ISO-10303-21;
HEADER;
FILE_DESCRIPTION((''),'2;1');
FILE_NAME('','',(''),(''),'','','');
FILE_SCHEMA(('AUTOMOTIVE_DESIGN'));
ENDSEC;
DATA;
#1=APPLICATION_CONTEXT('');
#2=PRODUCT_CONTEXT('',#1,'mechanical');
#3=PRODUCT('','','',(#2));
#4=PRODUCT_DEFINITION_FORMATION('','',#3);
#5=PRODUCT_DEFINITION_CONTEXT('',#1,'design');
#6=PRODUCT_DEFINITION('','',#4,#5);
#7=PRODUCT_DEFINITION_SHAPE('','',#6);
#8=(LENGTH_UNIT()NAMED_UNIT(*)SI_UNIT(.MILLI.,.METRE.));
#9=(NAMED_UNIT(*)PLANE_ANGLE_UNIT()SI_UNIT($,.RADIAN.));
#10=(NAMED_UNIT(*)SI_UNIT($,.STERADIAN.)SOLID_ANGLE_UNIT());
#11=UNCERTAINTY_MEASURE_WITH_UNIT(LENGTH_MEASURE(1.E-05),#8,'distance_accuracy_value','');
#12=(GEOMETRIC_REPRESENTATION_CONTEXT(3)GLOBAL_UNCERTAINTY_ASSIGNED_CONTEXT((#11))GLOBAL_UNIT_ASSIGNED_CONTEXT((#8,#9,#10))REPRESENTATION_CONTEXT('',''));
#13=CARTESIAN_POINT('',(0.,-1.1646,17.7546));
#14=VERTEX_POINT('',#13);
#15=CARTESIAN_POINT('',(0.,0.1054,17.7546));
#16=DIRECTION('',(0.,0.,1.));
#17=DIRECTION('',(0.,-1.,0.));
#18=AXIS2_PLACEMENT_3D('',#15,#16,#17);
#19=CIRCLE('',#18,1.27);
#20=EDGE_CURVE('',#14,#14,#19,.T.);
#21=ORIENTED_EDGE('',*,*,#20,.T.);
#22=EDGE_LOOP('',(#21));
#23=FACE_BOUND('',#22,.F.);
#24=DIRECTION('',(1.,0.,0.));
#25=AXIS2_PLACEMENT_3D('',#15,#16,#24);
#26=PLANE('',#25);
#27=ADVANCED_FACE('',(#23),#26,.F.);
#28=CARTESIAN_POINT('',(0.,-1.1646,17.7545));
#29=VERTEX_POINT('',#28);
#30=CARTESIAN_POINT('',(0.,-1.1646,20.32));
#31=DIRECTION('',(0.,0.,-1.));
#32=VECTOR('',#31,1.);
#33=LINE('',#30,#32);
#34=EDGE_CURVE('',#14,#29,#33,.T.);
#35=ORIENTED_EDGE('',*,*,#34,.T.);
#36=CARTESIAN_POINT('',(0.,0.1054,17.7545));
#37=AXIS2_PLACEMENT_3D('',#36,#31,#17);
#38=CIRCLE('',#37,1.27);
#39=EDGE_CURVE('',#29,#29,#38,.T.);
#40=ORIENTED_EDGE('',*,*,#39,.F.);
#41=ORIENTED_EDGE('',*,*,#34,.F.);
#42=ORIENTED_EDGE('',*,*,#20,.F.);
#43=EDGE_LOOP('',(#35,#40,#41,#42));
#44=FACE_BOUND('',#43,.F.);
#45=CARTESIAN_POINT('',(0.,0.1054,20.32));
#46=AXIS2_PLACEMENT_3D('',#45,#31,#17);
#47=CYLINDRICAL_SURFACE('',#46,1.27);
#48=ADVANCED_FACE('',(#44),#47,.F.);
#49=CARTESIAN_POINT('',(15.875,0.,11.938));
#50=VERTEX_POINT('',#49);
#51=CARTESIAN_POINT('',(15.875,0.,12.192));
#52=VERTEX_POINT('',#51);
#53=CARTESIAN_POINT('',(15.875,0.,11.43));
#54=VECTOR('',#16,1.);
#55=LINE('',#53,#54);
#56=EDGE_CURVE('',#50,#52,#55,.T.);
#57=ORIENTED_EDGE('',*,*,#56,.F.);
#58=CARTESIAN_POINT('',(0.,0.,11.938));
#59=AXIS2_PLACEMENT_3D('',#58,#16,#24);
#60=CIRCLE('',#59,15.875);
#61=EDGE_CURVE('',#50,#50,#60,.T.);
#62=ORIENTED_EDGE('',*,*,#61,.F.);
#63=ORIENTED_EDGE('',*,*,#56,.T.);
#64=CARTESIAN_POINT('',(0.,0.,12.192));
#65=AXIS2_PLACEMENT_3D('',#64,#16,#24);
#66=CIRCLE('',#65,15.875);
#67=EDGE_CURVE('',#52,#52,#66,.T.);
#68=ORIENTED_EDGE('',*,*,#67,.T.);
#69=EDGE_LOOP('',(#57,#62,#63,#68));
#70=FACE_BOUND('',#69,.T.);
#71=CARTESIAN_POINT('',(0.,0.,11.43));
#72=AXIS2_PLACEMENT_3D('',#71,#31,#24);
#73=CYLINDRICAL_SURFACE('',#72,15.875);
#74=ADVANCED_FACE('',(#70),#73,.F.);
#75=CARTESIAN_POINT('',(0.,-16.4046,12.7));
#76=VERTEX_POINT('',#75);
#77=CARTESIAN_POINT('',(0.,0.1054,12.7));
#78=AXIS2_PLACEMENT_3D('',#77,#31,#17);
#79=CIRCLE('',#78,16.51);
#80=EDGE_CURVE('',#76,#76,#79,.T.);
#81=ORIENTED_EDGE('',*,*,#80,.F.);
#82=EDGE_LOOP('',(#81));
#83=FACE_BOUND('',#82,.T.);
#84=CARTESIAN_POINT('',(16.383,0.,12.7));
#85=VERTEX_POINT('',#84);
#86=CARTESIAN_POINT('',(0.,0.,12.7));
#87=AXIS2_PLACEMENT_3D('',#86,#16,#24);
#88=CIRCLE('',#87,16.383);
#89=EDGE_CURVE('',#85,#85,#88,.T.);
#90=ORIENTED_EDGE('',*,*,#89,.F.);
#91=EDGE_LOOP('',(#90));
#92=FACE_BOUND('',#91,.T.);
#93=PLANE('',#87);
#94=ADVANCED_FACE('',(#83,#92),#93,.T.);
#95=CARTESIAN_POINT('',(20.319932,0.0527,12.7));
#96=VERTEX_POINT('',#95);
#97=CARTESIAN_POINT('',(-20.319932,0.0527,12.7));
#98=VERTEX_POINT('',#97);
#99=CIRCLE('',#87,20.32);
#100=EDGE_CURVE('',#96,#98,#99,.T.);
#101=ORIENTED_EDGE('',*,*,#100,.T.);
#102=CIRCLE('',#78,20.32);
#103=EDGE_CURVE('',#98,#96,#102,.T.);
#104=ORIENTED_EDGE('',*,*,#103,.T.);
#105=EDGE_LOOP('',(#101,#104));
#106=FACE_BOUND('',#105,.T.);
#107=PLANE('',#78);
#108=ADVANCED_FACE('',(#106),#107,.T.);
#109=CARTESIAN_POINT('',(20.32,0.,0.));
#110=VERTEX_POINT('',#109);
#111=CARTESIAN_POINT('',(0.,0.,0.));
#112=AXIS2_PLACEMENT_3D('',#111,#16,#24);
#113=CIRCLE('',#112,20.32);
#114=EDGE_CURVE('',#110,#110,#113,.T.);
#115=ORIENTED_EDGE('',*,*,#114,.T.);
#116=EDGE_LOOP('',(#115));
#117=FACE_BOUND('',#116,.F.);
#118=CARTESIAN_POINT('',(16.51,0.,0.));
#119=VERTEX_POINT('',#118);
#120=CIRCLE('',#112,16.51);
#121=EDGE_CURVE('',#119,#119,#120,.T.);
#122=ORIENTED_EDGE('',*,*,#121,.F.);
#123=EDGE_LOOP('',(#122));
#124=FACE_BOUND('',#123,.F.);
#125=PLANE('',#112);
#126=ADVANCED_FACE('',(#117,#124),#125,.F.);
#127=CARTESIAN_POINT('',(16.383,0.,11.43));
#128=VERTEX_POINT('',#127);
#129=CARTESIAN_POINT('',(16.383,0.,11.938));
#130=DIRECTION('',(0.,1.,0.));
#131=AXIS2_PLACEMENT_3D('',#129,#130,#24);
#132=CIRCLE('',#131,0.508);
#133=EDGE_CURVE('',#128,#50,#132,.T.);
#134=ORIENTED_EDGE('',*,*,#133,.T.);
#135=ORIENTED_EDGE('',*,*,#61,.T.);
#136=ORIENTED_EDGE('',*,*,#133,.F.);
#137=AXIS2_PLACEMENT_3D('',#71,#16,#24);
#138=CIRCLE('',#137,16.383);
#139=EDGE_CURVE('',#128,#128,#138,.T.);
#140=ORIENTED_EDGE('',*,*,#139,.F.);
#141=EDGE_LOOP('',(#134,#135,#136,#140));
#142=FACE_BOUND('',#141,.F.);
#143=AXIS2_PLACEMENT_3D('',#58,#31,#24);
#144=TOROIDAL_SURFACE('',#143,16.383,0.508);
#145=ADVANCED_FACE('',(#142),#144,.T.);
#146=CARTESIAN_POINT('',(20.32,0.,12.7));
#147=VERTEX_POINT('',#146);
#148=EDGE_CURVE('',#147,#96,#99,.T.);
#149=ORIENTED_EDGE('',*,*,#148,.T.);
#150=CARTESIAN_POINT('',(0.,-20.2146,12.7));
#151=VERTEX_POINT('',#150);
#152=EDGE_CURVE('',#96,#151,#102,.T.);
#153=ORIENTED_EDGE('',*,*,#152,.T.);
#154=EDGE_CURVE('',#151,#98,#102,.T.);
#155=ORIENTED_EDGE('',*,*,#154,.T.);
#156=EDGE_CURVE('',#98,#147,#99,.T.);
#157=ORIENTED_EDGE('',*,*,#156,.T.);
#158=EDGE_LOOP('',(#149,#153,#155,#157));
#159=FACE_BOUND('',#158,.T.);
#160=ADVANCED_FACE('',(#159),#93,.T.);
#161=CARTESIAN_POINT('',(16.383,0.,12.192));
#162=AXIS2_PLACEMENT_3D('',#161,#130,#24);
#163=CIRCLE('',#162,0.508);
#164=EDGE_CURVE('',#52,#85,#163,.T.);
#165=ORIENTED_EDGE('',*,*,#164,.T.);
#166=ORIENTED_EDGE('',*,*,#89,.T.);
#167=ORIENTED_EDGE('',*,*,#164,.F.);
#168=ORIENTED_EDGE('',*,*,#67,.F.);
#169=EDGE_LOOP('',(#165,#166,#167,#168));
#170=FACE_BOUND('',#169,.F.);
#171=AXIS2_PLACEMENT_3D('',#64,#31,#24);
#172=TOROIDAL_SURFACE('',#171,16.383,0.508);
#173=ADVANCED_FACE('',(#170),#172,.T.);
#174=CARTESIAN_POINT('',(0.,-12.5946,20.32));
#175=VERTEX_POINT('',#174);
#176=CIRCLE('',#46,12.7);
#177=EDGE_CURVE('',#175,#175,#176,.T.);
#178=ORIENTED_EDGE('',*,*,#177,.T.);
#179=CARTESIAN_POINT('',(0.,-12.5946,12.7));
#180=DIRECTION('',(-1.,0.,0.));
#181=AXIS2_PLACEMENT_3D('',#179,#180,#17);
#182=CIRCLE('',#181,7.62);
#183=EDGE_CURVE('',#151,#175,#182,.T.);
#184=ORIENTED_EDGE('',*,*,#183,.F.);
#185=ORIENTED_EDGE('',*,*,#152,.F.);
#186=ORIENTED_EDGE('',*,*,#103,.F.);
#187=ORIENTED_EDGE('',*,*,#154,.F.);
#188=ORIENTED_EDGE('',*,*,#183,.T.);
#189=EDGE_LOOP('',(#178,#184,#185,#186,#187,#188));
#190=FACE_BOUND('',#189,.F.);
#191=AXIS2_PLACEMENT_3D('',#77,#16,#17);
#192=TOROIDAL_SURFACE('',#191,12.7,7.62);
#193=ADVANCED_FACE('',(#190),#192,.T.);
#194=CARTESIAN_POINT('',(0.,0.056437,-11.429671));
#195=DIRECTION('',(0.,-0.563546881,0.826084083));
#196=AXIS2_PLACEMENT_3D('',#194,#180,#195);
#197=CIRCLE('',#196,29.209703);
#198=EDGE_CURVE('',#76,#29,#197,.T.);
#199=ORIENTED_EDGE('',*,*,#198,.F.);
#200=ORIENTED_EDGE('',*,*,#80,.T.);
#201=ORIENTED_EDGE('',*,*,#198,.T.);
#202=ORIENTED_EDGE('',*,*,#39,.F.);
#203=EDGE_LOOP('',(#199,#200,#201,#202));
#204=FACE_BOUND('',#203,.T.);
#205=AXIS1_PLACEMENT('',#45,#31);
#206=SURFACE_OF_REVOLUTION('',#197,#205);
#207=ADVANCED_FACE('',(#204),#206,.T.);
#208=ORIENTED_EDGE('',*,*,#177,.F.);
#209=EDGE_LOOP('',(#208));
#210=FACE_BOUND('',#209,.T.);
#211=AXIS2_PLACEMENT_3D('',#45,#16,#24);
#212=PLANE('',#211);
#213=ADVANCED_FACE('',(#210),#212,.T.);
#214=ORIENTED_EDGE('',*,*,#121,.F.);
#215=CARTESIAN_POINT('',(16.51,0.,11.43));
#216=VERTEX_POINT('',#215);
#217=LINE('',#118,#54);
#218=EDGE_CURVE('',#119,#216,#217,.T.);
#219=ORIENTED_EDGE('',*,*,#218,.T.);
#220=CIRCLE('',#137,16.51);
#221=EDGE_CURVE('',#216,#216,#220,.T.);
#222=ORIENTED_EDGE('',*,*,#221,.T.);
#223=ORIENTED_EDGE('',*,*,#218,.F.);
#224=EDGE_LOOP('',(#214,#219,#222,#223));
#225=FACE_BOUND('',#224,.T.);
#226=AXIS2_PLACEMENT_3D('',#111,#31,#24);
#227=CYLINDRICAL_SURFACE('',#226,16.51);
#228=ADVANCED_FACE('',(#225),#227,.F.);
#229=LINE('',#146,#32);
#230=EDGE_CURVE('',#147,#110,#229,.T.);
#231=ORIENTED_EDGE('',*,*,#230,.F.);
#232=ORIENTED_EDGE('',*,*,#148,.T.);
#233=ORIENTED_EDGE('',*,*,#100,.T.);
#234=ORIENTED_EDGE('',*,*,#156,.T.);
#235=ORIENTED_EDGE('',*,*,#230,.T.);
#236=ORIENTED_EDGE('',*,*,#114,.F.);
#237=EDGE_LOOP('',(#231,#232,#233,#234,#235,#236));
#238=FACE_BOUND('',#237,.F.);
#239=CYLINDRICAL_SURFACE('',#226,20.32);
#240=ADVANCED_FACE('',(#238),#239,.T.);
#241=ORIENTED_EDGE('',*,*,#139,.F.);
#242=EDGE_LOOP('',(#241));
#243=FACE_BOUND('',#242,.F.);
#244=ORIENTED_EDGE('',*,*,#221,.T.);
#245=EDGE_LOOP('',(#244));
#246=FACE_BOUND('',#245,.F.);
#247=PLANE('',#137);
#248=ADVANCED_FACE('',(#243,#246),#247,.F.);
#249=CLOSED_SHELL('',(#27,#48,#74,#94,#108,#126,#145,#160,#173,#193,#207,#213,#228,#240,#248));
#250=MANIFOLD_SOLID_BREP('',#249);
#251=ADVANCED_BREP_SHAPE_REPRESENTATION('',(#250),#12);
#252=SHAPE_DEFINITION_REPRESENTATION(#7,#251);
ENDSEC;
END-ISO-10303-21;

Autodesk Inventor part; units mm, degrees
ref_plane "YZ Plane" through (0, 0, 0) normal (1, 0, 0) x (0, 1, 0)
sketch "Sketch1" plane through (0, 0, 0) normal (0, 0, 1) x (1, 0, 0)
  circle A0 centre (0, 0) radius 16.51
  circle A1 centre (0, 0) radius 20.32
  dimension "d0" = 40.64
  dimension "d2" = 33.02
extrude "Extrusion1" add sketch "Sketch1" along normal blind 11.43
sketch "Sketch2" plane through (0, 0, 11.43) normal (0, 0, 1) x (1, 0, 0)
  circle A0 centre (0, 0) radius 20.32 projected
  circle A1 centre (0, 0) radius 15.875
  dimension "d5" = 31.75
extrude "Extrusion2" add sketch "Sketch2" along normal blind 1.27
fillet "Fillet1" radius 0.508 1 edges at (-15.875, 0, 11.43)
fillet "Fillet2" radius 0.508 1 edges at (-15.875, 0, 12.7)
ref_plane "Work Plane1" through (0, 0, 6.35) normal (0, 0, 1) x (1, 0, 0)
sketch "Sketch3" plane through (0, 0, 6.35) normal (0, 0, 1) x (1, 0, 0)
  line L0 (-20.32, 19.1494) -> (-20.32, -22.3588)
  circle A0 centre (0, 0) radius 20.32 projected
  dimension "d11" = 20.32
sketch "Sketch4" plane through (0, 0, 12.7) normal (0, 0, 1) x (1, 0, 0)
  circle A0 centre (0, 0) radius 20.32 projected
  circle A1 centre (0, 0) radius 16.383 projected
ref_plane "Work Plane3" through (-20.32, 19.1494, 6.35) normal (-1, 0, 0) x (0, -1, 0)
ref_plane "Work Plane2" through (0, 0, 12.7) normal (0, 0, 1) x (1, 0, 0)
ref_plane "Work Plane4" through (0, 19.1494, 6.35) normal (-1, 0, 0) x (0, -1, 0)
sketch "Sketch6" plane through (0, 19.1494, 6.35) normal (-1, 0, 0) x (0, -1, 0)
  line L0 (39.364, 6.35) -> (35.554, 6.35)
  arc A0 (35.554, 6.35) -> (20.314, 11.4045) centre (19.0928, -17.78) ccw
  line L1 (39.364, 6.35) -> (39.364, 6.35)
  line L2 (31.744, 13.97) -> (20.314, 13.97)
  line L3 (20.314, 13.97) -> (20.314, 11.4045)
  arc A1 (39.364, 6.35) -> (31.744, 13.97) centre (31.744, 6.35) ccw
  line L4 (39.4694, 6.35) -> (-1.1706, 6.35) projected
  line L5 (19.044, 13.97) -> (19.044, 8.477)
  point P0 (19.1494, -6.35)
  point P1 (19.044, 5.9584)
  point P2 (19.044, 27.5056)
  point P3 (19.044, 11.43)
  point P4 (39.364, 13.97)
  dimension "d24" = 3.81
  dimension "d25" = 20.32
  dimension "d26" = 5.08
  dimension "d27" = 29.21
  dimension "d28" = 7.62
  dimension "d29" = 7.62
  dimension "d30" = 0
revolve "Revolution1" add sketch "Sketch6" angle 360 about axis through (0, 0.1054, 20.32) along (0, 0, -1)
sketch "Sketch8" plane through (0, 0.1054, 20.32) normal (0, 0, 1) x (1, 0, 0)
  circle A0 centre (0, 0) radius 1.27 projected
  point P0 (0, -0.1054)
extrude "Extrusion4" add sketch "Sketch8" against normal blind 2.5654
properties part number "Motor End Cap" material "PVC-Piping"
